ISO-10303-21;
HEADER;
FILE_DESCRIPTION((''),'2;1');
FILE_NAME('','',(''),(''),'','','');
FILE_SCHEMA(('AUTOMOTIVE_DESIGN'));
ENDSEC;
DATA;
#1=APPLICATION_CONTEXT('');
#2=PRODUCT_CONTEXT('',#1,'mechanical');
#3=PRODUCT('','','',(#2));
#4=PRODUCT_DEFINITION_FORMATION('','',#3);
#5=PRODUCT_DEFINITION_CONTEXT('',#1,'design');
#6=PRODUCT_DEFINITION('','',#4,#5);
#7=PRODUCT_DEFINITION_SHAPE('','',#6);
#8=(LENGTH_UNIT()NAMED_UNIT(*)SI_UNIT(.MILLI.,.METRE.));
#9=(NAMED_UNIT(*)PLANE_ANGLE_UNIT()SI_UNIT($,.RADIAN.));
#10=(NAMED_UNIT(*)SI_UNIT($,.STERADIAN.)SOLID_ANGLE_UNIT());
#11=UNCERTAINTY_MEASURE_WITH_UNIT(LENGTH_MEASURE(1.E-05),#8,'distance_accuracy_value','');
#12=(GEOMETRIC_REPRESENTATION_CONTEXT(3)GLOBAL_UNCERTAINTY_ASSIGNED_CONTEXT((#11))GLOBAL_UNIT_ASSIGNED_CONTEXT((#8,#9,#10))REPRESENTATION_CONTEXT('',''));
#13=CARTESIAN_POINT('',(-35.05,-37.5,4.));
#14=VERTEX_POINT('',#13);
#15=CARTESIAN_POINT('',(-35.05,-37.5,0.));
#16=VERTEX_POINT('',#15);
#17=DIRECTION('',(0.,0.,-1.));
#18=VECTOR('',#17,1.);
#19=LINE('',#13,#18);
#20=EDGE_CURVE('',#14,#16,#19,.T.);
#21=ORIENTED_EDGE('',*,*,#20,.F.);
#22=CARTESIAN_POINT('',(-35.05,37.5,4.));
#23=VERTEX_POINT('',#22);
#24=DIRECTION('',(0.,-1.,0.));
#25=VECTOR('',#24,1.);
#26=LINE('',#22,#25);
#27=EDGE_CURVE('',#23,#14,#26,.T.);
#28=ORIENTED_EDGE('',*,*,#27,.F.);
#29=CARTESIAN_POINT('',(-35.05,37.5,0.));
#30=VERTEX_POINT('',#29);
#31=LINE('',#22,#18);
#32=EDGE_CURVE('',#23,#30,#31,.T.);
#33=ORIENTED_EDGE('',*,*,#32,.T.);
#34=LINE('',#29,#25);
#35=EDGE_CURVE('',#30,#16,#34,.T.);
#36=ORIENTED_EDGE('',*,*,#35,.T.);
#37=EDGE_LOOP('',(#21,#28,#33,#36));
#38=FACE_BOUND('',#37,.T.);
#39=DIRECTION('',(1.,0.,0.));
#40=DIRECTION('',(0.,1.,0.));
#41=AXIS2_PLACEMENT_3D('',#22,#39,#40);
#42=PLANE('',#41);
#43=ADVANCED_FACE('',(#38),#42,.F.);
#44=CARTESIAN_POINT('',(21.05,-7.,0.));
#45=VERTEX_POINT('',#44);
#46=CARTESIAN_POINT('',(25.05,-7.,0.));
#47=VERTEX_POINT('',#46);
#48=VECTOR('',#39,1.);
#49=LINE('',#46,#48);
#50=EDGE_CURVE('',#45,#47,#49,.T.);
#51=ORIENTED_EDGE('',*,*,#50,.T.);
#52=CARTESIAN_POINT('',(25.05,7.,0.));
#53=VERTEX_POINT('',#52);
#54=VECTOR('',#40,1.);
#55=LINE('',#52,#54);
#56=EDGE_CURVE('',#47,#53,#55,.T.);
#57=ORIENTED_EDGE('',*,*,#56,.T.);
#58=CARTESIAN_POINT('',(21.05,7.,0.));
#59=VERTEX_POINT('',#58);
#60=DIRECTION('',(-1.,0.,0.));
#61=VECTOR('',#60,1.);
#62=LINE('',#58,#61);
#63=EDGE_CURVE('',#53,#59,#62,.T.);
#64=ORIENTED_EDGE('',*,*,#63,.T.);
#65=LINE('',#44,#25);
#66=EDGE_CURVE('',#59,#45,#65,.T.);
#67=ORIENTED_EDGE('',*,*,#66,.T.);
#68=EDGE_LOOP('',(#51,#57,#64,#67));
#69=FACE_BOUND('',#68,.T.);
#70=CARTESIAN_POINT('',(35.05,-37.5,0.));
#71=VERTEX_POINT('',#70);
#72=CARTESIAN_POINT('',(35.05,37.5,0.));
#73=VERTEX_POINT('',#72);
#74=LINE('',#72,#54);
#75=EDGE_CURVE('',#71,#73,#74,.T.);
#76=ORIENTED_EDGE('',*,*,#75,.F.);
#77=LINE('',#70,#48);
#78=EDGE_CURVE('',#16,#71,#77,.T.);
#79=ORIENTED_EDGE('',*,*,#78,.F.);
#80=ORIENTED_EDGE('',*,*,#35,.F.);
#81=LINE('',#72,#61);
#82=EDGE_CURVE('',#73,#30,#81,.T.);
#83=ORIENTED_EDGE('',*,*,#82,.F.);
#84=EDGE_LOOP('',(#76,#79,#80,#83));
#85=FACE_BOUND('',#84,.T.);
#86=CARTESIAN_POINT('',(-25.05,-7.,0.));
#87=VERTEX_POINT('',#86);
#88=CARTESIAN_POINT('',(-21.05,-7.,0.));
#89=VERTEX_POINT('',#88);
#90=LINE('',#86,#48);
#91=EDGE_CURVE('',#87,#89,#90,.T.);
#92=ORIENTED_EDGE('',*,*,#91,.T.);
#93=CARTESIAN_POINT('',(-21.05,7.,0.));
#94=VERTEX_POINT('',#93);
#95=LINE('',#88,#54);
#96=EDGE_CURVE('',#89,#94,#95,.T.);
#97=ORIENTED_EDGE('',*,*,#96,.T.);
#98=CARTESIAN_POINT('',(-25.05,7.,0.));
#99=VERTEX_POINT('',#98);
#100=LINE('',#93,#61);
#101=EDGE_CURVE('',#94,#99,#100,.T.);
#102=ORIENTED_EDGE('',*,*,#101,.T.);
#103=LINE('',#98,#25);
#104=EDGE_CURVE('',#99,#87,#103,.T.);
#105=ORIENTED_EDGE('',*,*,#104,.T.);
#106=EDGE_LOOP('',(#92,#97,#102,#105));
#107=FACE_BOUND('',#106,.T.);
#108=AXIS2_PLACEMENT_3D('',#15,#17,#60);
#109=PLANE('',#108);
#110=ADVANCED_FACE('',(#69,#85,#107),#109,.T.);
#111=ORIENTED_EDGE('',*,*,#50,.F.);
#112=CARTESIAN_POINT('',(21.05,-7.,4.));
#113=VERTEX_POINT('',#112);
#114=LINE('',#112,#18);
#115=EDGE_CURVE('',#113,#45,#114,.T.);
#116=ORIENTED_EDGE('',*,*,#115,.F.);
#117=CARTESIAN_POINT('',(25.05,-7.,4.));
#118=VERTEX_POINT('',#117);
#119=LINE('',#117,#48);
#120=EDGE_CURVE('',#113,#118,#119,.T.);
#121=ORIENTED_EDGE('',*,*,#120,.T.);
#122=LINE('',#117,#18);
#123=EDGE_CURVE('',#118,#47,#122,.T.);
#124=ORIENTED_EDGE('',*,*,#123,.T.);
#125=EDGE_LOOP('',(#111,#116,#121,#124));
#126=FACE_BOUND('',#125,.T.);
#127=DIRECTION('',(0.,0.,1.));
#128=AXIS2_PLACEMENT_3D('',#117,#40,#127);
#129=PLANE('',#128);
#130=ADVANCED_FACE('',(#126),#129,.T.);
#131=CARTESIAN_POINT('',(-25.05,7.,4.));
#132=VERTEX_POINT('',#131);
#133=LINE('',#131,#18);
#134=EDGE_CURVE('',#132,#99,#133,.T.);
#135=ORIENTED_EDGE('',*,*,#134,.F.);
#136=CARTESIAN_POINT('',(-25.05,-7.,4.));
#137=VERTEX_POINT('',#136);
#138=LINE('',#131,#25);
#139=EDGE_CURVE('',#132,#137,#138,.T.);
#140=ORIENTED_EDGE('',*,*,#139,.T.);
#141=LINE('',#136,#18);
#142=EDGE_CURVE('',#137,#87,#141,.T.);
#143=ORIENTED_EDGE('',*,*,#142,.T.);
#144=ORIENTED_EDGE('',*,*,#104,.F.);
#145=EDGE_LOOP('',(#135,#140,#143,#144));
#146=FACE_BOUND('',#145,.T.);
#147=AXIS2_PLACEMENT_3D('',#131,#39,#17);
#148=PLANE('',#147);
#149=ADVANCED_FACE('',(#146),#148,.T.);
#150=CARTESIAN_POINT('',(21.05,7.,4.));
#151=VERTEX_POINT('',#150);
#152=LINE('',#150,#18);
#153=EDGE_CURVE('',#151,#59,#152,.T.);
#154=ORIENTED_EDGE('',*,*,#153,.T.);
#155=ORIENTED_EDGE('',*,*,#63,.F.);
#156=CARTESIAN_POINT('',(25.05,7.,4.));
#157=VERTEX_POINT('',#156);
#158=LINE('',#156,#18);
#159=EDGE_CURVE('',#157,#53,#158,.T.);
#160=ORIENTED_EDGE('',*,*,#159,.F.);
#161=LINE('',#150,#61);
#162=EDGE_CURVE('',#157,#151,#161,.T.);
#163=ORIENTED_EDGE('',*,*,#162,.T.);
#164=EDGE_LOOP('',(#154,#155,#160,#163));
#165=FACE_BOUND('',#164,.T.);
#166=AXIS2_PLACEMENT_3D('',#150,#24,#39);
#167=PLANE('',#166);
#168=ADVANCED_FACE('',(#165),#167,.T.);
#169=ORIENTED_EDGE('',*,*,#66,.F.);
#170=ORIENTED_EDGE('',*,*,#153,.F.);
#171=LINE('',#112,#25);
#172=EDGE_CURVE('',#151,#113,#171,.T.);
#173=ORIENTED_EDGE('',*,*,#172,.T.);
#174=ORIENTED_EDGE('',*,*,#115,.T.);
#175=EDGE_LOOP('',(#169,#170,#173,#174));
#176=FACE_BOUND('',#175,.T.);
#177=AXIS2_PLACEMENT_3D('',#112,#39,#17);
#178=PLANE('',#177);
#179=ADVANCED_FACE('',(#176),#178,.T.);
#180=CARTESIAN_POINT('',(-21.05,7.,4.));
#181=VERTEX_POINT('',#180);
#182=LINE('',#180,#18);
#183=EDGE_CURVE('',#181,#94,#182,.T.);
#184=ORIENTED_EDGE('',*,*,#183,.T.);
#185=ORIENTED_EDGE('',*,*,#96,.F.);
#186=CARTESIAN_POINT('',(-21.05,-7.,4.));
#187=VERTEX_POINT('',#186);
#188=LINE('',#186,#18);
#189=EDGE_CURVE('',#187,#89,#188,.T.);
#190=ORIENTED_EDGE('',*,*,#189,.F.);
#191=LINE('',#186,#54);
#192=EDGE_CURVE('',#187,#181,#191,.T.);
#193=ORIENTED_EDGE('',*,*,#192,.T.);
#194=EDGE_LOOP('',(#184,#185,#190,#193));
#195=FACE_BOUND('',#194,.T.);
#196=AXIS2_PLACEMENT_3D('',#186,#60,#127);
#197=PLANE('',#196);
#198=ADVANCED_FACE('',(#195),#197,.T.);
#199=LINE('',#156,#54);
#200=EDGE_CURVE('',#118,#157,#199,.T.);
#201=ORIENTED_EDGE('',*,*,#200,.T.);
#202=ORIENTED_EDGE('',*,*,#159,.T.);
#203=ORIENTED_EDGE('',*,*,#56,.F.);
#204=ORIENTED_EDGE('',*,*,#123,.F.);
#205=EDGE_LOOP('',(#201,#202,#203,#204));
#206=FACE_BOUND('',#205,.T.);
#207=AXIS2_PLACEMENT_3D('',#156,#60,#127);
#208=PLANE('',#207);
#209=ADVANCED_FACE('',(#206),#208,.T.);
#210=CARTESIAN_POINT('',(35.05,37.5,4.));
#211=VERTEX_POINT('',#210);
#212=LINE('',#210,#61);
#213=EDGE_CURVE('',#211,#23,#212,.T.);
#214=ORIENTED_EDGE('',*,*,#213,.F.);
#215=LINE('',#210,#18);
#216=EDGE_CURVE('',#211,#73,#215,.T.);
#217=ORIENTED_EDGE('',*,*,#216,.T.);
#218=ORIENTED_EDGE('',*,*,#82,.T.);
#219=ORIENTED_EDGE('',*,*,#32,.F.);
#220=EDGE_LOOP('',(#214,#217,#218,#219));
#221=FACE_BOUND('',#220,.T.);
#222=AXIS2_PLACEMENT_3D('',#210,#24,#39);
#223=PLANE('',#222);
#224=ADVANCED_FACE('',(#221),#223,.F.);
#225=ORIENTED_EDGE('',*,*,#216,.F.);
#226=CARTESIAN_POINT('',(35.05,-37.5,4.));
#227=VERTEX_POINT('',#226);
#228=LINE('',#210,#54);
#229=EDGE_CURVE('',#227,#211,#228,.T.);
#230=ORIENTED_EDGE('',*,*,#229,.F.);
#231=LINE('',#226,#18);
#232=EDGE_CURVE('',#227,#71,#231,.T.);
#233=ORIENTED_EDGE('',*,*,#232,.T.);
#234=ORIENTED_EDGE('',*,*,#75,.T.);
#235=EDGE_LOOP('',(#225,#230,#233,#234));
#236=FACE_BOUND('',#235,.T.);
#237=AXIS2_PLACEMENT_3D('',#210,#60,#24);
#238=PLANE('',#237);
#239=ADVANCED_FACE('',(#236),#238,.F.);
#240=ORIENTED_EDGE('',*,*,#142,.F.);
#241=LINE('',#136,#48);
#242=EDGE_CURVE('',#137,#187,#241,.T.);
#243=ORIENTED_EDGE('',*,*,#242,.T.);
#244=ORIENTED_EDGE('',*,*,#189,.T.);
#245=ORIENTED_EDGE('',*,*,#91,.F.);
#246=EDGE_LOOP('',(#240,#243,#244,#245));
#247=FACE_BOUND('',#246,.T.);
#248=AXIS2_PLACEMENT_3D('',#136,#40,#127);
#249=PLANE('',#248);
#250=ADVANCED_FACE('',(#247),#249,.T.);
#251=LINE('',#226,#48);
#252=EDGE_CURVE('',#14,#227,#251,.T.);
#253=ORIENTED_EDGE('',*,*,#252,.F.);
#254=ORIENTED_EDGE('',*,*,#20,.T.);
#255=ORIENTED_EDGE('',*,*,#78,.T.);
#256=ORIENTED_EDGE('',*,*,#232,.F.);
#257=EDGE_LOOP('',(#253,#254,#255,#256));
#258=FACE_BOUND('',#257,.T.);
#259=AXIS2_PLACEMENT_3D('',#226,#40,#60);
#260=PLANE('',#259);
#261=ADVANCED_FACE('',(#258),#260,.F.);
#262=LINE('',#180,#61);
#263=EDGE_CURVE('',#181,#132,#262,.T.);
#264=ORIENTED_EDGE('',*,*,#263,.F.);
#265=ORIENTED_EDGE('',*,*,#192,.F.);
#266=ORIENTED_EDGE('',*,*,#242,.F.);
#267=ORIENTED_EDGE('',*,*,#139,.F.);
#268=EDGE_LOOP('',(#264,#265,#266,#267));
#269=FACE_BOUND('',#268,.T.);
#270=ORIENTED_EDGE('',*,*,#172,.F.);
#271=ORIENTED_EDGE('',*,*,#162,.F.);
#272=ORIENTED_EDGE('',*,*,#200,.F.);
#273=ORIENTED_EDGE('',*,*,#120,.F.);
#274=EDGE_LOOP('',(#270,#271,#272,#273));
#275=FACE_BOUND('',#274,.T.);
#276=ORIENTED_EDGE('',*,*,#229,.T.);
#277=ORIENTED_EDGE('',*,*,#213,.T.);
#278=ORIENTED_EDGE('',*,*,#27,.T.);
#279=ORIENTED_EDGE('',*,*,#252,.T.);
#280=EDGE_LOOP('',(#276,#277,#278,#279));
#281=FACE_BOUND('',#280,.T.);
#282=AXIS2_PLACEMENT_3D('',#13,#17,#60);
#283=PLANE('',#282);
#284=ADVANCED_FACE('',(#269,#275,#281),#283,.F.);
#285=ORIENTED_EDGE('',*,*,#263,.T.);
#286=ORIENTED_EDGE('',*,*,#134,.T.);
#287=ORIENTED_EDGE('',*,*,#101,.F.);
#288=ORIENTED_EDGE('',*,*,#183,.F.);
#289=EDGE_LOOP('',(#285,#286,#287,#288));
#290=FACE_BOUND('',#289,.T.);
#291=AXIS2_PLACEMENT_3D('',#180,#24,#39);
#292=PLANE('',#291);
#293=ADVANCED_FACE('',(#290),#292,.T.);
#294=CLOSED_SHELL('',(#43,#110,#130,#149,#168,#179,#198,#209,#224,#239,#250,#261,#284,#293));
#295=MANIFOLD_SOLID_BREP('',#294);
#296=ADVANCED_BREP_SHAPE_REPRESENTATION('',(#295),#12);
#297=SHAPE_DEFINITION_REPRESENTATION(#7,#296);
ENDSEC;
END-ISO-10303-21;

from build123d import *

# Parameters (mm, degrees)
CROQUIS1_W              = 70.1
CROQUIS1_H              = 75
CROQUIS1_W_2            = 4
CROQUIS1_H_2            = 14
SALIENTE_EXTRUIR1_DEPTH = 4


with BuildPart() as part:
    # Croquis1 → Saliente-Extruir1 (new body)
    with BuildSketch(Plane.XY):
        Rectangle(CROQUIS1_W, CROQUIS1_H)
        with Locations((-23.05, 0)):
            Rectangle(CROQUIS1_W_2, CROQUIS1_H_2, mode=Mode.SUBTRACT)
        with Locations((23.05, 0)):
            Rectangle(CROQUIS1_W_2, CROQUIS1_H_2, mode=Mode.SUBTRACT)
    extrude(amount=SALIENTE_EXTRUIR1_DEPTH)


solid = part.part
